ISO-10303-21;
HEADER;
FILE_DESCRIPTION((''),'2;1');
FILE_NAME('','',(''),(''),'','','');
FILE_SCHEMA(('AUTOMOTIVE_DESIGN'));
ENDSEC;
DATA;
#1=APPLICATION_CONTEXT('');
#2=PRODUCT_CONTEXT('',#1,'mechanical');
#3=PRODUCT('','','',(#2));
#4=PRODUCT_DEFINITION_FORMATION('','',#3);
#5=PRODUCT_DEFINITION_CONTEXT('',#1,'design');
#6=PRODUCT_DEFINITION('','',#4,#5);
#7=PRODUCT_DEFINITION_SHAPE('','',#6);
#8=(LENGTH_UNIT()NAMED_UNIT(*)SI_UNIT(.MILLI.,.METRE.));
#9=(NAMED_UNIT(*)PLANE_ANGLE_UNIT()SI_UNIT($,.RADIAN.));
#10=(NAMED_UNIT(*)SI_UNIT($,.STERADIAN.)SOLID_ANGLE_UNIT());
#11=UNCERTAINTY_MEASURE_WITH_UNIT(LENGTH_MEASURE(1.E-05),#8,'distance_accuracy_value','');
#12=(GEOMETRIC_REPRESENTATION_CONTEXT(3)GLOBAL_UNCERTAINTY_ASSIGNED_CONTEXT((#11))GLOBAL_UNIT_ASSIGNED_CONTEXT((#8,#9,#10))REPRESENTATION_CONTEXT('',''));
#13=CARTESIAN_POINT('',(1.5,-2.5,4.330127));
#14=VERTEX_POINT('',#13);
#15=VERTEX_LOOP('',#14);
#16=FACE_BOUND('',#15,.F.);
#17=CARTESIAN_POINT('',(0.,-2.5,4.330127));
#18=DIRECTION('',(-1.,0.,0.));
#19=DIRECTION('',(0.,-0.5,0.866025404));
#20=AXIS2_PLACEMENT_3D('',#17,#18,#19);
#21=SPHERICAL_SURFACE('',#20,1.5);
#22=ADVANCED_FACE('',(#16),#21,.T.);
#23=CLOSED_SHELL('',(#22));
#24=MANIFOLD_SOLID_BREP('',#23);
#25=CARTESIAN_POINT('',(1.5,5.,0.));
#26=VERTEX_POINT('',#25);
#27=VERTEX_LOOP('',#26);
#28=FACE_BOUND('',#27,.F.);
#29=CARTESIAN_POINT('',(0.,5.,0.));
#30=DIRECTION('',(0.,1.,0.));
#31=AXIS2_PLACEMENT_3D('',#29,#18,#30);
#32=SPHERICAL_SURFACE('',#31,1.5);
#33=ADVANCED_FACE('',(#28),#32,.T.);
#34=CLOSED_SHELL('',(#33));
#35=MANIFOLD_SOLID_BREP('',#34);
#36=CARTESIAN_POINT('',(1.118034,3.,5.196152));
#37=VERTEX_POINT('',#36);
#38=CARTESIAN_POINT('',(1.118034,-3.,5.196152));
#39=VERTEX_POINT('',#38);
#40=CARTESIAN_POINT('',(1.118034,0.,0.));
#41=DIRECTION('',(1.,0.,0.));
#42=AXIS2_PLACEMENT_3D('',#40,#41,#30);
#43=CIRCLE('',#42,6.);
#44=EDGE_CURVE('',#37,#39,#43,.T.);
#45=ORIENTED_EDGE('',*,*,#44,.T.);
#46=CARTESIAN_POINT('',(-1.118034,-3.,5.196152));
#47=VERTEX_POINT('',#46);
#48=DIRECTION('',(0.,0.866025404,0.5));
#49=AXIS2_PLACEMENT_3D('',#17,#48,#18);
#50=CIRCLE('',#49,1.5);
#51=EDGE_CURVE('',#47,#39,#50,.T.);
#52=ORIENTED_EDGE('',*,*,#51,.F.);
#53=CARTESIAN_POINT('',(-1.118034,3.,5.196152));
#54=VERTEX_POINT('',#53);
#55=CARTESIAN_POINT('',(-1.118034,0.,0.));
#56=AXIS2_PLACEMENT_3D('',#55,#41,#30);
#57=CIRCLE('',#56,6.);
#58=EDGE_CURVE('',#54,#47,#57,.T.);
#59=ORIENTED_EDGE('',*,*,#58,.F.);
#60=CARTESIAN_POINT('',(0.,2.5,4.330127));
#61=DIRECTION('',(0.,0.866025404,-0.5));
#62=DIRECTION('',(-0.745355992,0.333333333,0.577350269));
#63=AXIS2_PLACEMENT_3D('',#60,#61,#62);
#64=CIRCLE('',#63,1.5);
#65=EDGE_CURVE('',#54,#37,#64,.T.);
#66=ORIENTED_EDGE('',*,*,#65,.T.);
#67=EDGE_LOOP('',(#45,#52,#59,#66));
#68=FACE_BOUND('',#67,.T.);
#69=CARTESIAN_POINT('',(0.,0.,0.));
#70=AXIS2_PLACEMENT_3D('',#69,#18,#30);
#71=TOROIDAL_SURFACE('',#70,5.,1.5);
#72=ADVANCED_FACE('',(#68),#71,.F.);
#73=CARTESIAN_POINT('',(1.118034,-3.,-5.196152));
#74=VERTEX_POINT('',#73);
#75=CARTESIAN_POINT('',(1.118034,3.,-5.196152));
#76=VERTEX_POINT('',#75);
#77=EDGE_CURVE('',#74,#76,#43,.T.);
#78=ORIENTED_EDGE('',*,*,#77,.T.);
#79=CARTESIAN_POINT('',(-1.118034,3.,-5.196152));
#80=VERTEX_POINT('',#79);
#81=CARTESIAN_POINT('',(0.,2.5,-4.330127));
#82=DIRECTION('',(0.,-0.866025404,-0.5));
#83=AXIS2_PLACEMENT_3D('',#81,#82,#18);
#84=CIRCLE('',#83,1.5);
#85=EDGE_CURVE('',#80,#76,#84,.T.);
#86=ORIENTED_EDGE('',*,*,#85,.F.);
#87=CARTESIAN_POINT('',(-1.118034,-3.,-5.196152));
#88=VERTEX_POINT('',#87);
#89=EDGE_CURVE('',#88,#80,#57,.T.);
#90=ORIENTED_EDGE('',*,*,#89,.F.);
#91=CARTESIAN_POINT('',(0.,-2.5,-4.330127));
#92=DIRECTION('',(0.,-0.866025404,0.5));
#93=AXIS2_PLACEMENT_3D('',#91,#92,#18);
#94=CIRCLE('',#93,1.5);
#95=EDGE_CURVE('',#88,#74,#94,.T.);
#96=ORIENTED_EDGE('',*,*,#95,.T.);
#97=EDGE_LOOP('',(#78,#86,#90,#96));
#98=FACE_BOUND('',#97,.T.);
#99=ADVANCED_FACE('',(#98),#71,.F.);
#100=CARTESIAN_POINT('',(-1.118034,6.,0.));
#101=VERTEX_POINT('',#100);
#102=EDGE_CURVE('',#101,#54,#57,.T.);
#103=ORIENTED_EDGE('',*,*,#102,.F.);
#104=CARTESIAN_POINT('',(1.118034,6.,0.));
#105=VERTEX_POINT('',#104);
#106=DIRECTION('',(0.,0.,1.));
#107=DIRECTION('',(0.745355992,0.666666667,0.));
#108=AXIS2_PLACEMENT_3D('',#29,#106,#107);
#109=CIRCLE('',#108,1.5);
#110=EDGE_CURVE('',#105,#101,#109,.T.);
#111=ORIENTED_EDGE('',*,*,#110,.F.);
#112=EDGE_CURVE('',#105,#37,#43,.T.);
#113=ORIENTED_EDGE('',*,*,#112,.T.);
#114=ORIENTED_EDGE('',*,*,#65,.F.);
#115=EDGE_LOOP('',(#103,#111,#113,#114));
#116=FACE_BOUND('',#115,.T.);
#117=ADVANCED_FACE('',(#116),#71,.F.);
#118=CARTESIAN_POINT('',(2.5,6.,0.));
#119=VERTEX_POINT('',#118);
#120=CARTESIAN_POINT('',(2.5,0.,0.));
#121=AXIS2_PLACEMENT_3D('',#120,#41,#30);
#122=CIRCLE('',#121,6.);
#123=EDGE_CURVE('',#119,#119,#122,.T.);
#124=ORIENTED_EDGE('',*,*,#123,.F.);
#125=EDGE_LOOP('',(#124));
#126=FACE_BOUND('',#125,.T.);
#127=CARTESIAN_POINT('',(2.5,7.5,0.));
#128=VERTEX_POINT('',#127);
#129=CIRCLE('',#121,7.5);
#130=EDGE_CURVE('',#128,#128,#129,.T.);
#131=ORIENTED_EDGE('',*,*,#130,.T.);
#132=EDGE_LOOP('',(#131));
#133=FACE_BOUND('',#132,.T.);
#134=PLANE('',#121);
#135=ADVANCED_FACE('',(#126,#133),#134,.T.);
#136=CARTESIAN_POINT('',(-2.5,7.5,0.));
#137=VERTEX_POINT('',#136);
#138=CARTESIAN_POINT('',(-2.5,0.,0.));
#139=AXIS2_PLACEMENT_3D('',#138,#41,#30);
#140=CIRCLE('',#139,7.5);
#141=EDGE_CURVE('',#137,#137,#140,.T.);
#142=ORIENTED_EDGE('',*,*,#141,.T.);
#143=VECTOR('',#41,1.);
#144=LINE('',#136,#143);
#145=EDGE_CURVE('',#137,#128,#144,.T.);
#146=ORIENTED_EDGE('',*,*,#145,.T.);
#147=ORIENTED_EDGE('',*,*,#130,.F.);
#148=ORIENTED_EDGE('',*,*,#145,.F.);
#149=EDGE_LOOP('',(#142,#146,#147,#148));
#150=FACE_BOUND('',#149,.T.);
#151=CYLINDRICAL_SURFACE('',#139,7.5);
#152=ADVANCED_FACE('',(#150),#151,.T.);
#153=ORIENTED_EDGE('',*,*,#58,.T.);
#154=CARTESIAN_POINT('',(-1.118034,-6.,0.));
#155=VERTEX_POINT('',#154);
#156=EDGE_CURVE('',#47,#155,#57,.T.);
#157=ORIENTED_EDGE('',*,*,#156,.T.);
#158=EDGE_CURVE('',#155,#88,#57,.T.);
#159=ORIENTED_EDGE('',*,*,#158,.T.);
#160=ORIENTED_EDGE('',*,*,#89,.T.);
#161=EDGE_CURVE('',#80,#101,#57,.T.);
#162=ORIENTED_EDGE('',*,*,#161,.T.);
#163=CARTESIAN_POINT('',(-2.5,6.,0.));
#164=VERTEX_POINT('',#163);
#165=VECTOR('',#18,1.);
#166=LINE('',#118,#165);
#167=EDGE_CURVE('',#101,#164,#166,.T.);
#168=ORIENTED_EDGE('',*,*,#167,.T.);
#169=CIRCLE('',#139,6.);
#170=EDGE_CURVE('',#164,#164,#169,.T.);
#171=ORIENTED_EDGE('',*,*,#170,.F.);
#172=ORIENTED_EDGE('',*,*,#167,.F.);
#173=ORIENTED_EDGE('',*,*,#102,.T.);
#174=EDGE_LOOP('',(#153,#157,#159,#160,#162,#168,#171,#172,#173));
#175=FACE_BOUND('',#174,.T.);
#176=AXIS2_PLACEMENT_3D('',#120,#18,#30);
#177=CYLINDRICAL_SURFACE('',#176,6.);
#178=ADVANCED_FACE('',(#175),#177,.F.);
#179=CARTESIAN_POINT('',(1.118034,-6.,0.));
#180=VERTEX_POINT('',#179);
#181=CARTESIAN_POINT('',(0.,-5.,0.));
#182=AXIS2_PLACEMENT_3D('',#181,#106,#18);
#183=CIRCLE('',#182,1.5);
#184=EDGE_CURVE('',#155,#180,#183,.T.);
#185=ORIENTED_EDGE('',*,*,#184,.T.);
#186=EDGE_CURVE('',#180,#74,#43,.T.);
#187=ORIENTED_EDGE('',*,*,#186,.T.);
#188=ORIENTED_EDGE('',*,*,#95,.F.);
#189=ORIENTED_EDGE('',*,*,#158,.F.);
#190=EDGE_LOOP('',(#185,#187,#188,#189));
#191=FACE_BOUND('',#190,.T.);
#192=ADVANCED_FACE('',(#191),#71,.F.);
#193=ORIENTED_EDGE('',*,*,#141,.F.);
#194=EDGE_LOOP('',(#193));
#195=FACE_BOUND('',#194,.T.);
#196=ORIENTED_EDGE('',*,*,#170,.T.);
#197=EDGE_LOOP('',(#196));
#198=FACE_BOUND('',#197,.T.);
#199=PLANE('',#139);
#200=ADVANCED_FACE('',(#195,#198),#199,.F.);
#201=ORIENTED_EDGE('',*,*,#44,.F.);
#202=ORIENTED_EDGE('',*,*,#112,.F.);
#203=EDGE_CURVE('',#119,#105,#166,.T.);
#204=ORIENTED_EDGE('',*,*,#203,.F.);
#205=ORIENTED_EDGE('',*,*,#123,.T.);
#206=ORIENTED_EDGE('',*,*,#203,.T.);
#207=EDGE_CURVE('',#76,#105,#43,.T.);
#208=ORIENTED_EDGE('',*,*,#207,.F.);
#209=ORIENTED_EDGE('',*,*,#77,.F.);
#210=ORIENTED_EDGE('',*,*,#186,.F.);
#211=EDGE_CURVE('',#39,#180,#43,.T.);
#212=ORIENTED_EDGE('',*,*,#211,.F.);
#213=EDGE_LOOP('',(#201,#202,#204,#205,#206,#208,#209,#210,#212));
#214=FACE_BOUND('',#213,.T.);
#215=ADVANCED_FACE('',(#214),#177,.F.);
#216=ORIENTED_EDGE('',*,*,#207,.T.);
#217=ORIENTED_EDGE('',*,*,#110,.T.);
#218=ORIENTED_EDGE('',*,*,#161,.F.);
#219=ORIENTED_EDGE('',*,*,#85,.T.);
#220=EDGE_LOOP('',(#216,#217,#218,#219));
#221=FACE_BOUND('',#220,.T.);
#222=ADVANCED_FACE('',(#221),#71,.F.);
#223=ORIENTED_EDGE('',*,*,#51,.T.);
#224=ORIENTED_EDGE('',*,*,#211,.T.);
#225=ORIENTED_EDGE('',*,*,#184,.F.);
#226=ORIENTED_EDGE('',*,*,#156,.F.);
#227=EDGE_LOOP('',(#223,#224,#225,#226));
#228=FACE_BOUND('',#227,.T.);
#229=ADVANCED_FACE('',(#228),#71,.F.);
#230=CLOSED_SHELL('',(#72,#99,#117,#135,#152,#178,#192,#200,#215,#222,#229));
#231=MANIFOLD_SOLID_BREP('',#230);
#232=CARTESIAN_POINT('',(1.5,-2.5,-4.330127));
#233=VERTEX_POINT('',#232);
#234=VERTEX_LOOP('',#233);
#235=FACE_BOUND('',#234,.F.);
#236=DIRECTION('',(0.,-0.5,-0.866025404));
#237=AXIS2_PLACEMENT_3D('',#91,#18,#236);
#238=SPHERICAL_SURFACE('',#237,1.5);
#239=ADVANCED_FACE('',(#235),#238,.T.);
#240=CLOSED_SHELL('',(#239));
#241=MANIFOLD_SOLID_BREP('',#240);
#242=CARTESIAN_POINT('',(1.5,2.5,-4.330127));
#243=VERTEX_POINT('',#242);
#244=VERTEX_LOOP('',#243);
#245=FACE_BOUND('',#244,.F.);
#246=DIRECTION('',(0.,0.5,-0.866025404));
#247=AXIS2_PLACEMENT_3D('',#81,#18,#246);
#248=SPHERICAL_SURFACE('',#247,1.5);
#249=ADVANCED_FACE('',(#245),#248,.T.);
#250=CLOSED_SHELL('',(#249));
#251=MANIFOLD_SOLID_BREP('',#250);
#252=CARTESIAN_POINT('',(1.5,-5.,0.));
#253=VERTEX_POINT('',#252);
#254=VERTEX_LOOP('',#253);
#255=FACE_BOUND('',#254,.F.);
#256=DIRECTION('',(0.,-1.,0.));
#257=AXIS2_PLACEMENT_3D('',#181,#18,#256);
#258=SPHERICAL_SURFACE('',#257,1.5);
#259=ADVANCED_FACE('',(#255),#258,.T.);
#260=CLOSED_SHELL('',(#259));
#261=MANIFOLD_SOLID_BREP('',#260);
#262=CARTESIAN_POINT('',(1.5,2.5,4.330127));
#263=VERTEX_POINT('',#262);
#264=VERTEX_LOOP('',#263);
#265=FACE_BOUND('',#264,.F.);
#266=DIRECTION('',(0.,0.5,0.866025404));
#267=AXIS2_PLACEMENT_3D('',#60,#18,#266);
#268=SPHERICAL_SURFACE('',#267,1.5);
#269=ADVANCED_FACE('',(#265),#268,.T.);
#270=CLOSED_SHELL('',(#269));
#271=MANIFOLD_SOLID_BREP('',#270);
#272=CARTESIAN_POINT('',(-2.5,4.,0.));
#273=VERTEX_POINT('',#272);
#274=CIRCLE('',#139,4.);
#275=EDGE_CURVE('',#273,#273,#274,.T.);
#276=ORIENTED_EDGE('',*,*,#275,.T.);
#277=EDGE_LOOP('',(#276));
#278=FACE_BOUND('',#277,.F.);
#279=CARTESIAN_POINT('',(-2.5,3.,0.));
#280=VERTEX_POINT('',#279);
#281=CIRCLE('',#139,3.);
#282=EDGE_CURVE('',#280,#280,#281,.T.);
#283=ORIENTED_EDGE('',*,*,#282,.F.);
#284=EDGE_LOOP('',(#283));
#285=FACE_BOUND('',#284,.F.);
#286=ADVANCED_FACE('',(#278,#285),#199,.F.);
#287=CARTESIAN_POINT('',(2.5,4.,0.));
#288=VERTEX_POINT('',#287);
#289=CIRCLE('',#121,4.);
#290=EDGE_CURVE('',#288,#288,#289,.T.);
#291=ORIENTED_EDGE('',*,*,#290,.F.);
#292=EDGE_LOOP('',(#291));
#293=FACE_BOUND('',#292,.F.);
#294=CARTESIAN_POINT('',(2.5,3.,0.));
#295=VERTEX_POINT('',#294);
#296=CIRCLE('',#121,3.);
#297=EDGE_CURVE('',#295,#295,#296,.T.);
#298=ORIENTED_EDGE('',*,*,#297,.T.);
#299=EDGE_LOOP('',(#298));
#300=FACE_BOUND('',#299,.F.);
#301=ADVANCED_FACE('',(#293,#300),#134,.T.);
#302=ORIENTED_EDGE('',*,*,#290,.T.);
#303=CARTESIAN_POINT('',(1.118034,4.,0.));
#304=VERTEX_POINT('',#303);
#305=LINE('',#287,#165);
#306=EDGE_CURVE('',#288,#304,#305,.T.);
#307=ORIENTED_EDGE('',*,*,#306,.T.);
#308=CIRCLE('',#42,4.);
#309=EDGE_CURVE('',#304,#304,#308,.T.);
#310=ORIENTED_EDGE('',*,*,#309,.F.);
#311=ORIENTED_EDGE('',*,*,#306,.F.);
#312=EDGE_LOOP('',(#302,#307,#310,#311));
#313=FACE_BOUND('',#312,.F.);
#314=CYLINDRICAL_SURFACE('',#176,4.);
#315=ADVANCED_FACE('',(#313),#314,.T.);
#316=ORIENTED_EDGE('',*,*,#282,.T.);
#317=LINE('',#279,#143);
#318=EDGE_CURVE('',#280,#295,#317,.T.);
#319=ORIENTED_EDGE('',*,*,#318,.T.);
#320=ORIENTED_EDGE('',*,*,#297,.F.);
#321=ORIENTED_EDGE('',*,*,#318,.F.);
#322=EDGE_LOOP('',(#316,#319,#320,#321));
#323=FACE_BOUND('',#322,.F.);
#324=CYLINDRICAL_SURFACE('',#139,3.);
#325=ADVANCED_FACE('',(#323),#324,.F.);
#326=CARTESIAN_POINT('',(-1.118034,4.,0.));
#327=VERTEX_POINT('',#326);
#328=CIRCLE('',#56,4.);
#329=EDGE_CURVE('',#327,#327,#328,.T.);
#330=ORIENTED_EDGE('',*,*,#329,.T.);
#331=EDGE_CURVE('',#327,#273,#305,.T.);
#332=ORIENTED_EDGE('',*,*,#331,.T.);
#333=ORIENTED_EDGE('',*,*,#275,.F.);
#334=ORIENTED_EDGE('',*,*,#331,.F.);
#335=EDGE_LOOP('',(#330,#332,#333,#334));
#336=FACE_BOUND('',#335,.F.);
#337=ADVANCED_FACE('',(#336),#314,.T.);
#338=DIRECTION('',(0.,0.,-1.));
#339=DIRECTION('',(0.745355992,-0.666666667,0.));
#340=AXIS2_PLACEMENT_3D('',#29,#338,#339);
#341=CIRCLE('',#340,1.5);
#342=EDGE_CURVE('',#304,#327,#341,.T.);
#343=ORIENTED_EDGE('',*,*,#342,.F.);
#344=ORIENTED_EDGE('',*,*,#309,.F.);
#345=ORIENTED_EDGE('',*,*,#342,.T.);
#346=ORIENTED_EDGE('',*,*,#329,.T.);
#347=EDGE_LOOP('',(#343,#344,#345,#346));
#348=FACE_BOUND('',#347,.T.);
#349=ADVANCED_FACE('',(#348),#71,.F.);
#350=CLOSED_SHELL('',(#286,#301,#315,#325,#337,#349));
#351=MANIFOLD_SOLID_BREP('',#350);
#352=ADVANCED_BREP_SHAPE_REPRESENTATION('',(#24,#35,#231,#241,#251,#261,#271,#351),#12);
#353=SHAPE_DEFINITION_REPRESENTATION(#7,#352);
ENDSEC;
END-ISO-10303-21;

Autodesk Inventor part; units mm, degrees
ref_plane "YZ Plane" through (0, 0, 0) normal (1, 0, 0) x (0, 1, 0)
ref_plane "XZ Plane" through (0, 0, 0) normal (0, 1, 0) x (-1, 0, 0)
ref_plane "XY Plane" through (0, 0, 0) normal (0, 0, 1) x (1, 0, 0)
sketch "Sketch1" plane through (0, 0, 0) normal (0, 0, 1) x (1, 0, 0)
  line L0 (0, 2.8582) -> (0, -2.8582) construction
  line L1 (-5.7775, 0) -> (5.7775, 0) construction
  point P0 (0, 0)
  point P1 (0, 0)
sketch "Sketch2" plane through (0, 0, 0) normal (0, 0, 1) x (1, 0, 0)
  line L0 (0, 0) -> (0, 7.5)
  line L1 (-2.5, 7.5) -> (2.5, 7.5)
  line L2 (2.5, 7.5) -> (2.5, 6)
  line L3 (2.5, 6) -> (-2.5, 6)
  line L4 (-2.5, 6) -> (-2.5, 7.5)
  line L5 (-2.5, 3) -> (2.5, 3)
  line L6 (2.5, 3) -> (2.5, 4)
  line L7 (2.5, 4) -> (-2.5, 4)
  line L8 (-2.5, 4) -> (-2.5, 3)
  line L9 (0, 4) -> (0, 5)
  circle A0 centre (0, 5) radius 1.5
  line L10 (-8.0884, 0) -> (8.0884, 0) projected
  point P0 (1.118, 4)
  point P1 (-1.118, 4)
  point P2 (-1.118, 6)
  point P3 (1.118, 6)
  dimension "d0" = 7.5
  dimension "d4" = 1.5
  dimension "d5" = 1
  dimension "d6" = 1
  dimension "d7" = 3
revolve "Revolution1" add sketch "Sketch2" angle 360 about axis through (-10, 0, 0) along (1, 0, 0) contours A0 L7 L6 L5 L0 | L0 L5 L8 L7 A0 | L3 L4 L1 L0 A0 | L0 L1 L2 L3 A0
sketch "Sketch3" plane through (0, 0, 0) normal (0, 0, 1) x (1, 0, 0)
  line L0 (0, 0) -> (0, 7.5)
  line L1 (-2.5, 7.5) -> (2.5, 7.5)
  line L2 (2.5, 7.5) -> (2.5, 6)
  line L3 (-2.5, 6) -> (-2.5, 7.5)
  line L4 (-2.5, 3) -> (2.5, 3)
  line L5 (2.5, 3) -> (2.5, 4)
  line L6 (-2.5, 4) -> (-2.5, 3)
  line L7 (0, 4) -> (0, 5)
  circle A0 centre (0, 5) radius 1.5
  line L8 (-8.0884, 0) -> (8.0884, 0)
  line L9 (-1.5, 5) -> (1.5, 5)
  point P0 (1.118, 4)
  point P1 (-1.118, 4)
  point P2 (-1.118, 6)
  point P3 (1.118, 6)
  dimension "d9" = 7.5
  dimension "d10" = 1.5
  dimension "d11" = 1
  dimension "d12" = 1
  dimension "d13" = 3
revolve "Revolution2" add sketch "Sketch3" angle 360 about axis through (-1.5, 5, 0) along (1, 0, 0) picked at (-0.8414, 5.5287) picked at (0.5287, 5.8414) contours L9 A0 L0 | L0 A0 L9
pattern_circular "Circular Pattern1" count 6 over 360 about axis through (-10, 0, 0) along (1, 0, 0) of "Revolution2"
properties part number "Ball bearing 15mm" material "S235"
